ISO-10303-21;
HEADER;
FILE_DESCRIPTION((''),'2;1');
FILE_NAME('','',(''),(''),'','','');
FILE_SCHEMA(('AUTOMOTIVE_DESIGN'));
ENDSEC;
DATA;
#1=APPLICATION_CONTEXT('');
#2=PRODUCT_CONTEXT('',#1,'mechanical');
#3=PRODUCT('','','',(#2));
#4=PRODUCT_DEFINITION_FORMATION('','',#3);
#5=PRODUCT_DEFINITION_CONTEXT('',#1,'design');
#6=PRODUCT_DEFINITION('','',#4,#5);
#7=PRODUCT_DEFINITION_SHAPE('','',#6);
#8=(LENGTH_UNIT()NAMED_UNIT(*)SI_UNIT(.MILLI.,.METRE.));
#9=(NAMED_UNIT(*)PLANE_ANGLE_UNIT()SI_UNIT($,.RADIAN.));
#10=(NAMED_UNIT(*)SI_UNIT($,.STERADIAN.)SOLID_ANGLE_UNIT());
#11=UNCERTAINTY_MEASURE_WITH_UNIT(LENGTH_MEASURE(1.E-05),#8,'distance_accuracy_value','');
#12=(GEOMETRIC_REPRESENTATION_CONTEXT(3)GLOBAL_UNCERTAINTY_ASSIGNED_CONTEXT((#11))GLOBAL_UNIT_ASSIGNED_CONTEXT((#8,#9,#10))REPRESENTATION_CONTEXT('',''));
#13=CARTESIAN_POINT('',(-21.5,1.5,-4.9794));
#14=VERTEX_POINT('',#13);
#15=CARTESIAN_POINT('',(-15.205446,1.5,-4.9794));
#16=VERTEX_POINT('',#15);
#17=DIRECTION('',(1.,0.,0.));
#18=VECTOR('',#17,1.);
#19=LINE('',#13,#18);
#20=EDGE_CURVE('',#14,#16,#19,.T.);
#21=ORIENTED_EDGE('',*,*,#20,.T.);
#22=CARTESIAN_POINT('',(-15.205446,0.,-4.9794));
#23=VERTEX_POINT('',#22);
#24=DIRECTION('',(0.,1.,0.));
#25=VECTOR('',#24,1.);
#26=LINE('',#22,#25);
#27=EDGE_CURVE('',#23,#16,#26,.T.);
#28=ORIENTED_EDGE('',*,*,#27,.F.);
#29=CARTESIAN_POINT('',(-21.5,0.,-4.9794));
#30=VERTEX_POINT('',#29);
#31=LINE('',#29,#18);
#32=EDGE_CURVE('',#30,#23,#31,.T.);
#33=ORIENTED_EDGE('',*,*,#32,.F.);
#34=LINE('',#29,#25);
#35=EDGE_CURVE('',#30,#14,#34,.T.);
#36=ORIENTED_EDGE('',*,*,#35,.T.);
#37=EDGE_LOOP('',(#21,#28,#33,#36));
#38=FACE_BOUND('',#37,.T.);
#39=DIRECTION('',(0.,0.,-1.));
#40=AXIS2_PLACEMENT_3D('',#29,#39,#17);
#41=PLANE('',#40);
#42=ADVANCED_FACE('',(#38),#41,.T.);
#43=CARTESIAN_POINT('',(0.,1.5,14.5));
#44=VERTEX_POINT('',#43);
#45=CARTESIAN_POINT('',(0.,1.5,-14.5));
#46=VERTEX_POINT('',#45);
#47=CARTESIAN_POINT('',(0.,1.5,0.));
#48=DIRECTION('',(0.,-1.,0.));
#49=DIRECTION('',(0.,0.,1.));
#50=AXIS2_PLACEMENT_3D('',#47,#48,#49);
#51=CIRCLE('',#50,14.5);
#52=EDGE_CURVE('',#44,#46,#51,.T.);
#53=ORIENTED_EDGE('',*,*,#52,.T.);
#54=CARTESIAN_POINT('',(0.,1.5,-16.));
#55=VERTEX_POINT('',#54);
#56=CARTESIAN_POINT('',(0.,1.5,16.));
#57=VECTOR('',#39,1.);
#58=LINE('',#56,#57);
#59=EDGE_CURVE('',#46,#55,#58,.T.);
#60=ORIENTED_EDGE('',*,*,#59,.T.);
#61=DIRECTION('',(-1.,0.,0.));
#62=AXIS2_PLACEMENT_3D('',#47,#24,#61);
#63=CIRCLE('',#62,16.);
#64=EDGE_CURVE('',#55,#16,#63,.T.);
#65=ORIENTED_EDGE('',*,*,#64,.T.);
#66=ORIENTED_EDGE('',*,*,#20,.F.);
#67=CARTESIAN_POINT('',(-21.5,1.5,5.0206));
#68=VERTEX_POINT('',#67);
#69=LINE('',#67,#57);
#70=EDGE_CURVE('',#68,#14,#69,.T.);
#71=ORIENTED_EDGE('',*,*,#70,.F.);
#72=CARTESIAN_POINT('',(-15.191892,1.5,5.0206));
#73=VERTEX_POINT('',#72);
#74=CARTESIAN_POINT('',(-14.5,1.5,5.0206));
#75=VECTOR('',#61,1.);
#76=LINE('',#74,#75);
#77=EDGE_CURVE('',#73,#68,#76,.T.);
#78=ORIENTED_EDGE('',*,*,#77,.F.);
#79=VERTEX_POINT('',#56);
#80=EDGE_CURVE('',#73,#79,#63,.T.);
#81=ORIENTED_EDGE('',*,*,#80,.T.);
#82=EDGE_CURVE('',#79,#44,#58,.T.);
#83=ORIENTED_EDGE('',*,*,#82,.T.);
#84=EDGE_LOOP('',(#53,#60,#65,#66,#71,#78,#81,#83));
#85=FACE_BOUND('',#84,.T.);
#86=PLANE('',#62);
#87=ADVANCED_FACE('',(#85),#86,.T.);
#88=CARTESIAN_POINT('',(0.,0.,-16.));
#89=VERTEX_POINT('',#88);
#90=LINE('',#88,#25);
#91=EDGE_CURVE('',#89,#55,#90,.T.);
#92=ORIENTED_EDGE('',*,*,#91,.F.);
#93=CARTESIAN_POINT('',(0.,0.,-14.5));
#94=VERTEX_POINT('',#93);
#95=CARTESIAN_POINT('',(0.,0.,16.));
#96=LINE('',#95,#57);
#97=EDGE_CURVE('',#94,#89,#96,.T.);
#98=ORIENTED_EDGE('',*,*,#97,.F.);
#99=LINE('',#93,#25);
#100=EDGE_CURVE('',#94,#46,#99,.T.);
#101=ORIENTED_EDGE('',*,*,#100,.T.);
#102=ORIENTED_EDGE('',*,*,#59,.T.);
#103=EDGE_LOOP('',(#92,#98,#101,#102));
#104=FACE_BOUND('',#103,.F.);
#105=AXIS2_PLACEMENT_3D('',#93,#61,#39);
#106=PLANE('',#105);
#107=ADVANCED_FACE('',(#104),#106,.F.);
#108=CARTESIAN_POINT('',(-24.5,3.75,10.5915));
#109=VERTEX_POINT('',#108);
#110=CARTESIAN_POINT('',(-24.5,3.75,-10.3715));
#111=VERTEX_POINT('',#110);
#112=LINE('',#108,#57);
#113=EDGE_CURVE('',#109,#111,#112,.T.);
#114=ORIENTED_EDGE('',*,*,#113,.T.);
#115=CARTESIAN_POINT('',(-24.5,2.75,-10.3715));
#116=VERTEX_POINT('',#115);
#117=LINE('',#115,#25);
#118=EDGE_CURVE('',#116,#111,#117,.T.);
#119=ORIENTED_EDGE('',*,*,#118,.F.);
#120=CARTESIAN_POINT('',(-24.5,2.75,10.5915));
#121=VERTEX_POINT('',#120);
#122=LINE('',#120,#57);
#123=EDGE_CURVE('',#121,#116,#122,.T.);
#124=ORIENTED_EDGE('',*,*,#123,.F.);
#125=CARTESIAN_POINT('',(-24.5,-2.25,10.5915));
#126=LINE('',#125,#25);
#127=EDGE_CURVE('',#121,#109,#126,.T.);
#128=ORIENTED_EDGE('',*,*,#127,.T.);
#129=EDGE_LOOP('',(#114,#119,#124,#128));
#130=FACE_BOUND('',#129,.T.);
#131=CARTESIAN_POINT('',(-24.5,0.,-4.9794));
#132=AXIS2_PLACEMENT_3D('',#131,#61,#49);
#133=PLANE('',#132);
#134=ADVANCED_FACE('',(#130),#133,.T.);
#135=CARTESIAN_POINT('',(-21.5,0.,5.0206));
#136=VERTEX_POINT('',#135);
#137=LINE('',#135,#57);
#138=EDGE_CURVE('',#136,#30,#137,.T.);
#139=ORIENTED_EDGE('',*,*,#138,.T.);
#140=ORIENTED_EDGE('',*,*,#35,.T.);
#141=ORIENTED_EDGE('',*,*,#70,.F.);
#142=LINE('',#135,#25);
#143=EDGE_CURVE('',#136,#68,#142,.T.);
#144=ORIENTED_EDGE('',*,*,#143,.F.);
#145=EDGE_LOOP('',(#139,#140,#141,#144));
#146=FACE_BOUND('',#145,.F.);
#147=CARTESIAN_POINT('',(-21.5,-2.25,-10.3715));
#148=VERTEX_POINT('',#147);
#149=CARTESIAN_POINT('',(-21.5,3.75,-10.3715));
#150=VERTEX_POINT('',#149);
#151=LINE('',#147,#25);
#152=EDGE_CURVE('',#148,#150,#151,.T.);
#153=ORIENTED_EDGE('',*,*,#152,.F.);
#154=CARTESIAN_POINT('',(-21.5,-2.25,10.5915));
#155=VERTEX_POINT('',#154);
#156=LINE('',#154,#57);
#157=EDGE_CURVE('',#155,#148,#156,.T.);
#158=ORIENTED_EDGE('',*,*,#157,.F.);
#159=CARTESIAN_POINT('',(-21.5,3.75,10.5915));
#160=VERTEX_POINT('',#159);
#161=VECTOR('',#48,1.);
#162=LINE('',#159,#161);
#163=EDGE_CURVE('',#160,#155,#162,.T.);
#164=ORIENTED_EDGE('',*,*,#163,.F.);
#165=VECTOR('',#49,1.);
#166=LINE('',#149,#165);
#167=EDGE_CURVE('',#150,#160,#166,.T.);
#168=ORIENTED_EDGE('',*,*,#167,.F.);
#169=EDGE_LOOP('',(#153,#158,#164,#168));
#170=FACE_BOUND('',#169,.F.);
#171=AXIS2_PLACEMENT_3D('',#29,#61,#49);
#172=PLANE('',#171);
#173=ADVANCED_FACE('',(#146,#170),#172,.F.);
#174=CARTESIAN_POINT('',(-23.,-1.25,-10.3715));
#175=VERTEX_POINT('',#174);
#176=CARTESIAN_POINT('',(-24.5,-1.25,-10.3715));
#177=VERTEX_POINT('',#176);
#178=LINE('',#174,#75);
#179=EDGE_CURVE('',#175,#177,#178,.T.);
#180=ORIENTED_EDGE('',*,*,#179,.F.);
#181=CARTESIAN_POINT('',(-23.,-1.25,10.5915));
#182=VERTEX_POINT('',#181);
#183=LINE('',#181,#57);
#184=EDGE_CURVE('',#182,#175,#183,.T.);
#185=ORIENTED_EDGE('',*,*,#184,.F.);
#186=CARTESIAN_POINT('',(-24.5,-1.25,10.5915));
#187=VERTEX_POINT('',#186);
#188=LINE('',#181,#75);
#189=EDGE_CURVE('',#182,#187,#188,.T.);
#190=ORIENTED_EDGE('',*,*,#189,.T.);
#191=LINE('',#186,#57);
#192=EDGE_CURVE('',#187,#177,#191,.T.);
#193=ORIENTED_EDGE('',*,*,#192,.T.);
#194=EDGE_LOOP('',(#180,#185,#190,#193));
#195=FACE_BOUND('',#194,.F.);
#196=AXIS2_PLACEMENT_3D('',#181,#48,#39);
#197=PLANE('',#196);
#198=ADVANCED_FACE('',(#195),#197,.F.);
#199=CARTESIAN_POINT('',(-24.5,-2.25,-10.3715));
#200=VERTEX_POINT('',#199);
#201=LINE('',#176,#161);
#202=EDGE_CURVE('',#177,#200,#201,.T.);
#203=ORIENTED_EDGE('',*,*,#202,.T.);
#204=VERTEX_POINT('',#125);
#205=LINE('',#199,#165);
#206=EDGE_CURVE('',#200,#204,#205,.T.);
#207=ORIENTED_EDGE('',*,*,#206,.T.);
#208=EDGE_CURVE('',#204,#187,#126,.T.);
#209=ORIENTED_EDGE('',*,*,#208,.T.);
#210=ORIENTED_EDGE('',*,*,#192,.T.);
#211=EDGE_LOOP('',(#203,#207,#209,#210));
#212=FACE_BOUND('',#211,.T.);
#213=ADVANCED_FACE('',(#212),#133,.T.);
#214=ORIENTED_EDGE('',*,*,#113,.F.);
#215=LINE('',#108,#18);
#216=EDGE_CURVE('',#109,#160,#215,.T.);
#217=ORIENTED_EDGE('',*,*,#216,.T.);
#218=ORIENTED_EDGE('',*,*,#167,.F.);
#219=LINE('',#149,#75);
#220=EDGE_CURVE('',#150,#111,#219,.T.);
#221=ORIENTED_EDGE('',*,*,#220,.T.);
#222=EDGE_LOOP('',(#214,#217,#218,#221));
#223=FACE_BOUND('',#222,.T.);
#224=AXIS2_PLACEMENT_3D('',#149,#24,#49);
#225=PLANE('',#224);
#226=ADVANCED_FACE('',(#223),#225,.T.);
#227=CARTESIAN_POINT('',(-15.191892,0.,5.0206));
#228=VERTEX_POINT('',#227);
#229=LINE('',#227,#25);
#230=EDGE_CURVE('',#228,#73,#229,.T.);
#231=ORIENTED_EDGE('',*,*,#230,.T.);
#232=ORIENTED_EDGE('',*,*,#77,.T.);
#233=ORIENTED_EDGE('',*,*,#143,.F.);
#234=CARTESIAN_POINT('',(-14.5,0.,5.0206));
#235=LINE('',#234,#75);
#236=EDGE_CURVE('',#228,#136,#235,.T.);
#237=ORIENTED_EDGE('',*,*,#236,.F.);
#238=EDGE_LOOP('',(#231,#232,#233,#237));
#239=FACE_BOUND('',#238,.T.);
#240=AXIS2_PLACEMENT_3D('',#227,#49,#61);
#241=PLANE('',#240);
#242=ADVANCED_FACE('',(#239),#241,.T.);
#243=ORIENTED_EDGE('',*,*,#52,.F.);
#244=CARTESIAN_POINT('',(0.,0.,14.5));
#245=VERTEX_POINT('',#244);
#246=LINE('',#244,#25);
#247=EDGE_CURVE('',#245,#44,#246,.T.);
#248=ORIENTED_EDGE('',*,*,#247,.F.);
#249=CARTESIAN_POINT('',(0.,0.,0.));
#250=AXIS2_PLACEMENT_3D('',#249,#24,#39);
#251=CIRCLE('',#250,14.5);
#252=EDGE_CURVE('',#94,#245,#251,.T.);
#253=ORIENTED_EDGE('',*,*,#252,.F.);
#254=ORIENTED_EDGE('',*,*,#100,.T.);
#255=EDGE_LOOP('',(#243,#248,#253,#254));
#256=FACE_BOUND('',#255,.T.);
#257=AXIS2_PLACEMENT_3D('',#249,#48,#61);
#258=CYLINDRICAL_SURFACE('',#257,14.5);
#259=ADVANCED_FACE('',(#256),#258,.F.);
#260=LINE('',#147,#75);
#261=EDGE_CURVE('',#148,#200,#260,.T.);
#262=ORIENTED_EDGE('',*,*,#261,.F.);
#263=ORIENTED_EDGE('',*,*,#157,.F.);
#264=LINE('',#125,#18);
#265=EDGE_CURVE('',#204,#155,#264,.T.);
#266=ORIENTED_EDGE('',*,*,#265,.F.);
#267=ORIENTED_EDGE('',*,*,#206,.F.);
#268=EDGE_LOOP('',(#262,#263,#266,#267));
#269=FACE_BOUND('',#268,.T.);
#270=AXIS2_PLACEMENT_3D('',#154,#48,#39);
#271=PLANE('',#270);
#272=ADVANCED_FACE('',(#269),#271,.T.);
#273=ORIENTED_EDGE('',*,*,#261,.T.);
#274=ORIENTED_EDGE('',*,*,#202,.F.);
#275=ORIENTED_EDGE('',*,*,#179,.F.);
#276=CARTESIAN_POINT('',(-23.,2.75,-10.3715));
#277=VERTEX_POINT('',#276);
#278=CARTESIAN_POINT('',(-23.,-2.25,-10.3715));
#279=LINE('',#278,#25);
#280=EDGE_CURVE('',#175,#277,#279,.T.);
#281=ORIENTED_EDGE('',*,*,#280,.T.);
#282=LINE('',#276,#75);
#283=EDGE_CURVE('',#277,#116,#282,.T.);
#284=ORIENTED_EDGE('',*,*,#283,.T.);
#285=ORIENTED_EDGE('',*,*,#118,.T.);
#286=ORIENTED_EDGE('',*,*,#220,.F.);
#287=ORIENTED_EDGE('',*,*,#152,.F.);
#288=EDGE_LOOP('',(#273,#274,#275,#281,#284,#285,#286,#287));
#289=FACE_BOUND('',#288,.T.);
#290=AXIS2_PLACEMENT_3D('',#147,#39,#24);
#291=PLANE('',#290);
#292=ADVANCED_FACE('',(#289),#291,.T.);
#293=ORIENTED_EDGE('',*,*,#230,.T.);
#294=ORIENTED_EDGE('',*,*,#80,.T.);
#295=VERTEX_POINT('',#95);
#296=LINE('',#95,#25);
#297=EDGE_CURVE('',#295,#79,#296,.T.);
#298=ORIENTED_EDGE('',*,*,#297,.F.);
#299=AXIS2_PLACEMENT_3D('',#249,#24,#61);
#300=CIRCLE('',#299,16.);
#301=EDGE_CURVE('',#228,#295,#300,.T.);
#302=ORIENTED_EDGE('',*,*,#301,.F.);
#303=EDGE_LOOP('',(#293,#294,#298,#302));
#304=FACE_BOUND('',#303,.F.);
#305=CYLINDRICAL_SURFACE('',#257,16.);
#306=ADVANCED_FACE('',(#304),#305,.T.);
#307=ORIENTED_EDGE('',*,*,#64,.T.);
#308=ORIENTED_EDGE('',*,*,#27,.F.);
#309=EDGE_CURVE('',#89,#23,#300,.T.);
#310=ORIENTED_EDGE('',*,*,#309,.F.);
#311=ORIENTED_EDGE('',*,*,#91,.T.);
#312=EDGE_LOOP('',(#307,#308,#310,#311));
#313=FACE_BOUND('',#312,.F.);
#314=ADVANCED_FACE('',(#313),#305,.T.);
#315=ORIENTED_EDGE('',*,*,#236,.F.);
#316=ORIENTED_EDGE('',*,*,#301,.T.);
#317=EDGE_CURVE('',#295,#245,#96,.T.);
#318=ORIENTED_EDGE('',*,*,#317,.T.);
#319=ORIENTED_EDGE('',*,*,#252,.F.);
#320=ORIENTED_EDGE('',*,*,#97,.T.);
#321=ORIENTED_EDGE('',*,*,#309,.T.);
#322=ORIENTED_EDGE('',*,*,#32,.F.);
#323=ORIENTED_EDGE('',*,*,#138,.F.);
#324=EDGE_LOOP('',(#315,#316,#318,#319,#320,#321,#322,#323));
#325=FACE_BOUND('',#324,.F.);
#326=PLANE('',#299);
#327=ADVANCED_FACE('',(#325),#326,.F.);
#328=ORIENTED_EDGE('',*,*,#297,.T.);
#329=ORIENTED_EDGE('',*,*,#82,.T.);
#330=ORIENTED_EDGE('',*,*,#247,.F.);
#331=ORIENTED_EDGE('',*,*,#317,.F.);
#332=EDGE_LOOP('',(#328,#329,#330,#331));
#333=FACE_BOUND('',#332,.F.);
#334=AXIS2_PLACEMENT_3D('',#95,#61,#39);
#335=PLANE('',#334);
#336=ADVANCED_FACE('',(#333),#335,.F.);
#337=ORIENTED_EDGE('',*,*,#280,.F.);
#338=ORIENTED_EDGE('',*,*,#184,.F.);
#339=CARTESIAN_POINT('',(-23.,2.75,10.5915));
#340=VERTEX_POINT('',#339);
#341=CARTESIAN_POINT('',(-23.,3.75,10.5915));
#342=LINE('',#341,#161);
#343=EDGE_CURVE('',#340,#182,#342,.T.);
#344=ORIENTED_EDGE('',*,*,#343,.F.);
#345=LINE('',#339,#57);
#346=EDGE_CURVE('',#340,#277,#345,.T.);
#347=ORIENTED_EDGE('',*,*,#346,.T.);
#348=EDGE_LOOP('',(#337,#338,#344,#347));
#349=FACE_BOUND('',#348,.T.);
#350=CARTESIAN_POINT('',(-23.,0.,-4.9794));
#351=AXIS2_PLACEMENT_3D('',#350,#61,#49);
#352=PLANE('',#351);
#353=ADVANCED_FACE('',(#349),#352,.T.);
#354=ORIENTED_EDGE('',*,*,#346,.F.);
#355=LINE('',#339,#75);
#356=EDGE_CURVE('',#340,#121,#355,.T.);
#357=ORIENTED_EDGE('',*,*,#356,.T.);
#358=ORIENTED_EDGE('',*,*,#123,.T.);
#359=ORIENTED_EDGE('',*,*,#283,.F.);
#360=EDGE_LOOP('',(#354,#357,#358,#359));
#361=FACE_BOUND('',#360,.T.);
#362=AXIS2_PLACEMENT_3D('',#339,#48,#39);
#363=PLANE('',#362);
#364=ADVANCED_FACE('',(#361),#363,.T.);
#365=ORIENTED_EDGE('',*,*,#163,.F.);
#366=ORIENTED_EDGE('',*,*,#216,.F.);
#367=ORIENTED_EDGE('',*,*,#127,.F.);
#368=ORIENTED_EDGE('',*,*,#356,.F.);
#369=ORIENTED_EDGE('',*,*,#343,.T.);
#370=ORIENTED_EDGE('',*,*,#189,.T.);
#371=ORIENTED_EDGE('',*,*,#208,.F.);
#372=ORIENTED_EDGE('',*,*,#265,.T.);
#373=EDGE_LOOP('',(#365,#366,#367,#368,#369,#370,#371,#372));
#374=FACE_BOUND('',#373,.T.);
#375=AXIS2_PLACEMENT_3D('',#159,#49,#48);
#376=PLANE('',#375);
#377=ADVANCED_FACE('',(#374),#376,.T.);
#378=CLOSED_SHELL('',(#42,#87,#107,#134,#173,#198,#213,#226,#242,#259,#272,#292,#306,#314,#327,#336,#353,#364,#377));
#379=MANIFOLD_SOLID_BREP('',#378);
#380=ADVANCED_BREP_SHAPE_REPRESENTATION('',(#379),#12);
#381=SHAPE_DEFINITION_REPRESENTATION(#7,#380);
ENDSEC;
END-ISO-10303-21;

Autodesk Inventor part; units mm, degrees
ref_plane "YZ Plane" through (0, 0, 0) normal (1, 0, 0) x (0, 1, 0)
ref_plane "XZ Plane" through (0, 0, 0) normal (0, 1, 0) x (-1, 0, 0)
ref_plane "XY Plane" through (0, 0, 0) normal (0, 0, 1) x (1, 0, 0)
sketch "Sketch1" plane through (0, 0, 0) normal (0, 1, 0) x (-1, 0, 0)
  circle A0 centre (0, 0) radius 14.5
  circle A1 centre (0, 0) radius 16
  line L0 (0, 16) -> (0, -16)
  line L1 (14.5, 5.0206) -> (21.5, 5.0206)
  line L2 (21.5, 5.0206) -> (21.5, -4.9794)
  line L3 (21.5, -4.9794) -> (14.5, -4.9794)
  line L4 (14.5, -4.9794) -> (14.5, 5.0206)
  point P0 (14.5, 0.0206)
  point P1 (15.2054, -4.9794)
  point P2 (15.1919, 5.0206)
  point P3 (0, 14.5)
  point P4 (0, -14.5)
  dimension "d0" = 29
  dimension "d1" = 32
  dimension "d2" = 5
  dimension "d13" = 7
extrude "Extrusion1" add sketch "Sketch1" along normal blind 1.5 contours L4 L3 A1 L0 A0 | L4 L1 A1 L3 | A0 L0 A1 L1 L4 | A1 L1 L2 L3
sketch "Sketch2" plane through (-21.5, 0, -4.9794) normal (-1, 0, 0) x (0, 0, 1)
  line L0 (-5.3921, 3.75) -> (15.5709, 3.75)
  line L1 (15.5709, 3.75) -> (15.5709, -2.25)
  line L2 (15.5709, -2.25) -> (-5.3921, -2.25)
  line L3 (-5.3921, -2.25) -> (-5.3921, 3.75)
  line L4 (0, 0) -> (0, 1.5) projected
  point P0 (4.9794, 0)
  point P1 (5.0894, 3.75)
  point P2 (0, 0.75)
  dimension "d5" = 6
  dimension "d6" = 3
extrude "Extrusion2" add sketch "Sketch2" along normal blind 1.5
sketch "Sketch3" plane through (-23, 0, -4.9794) normal (-1, 0, 0) x (0, 0, 1)
  line L0 (15.5709, 3.75) -> (-5.3921, 3.75) projected
  line L1 (15.5709, -2.25) -> (15.5709, 3.75) projected
  line L2 (-5.3921, 3.75) -> (15.5709, 3.75)
  line L3 (15.5709, 3.75) -> (15.5709, 2.75)
  line L4 (15.5709, 2.75) -> (-5.3921, 2.75)
  line L5 (-5.3921, 2.75) -> (-5.3921, 3.75)
  line L6 (-5.3921, -2.25) -> (15.5709, -2.25)
  line L7 (15.5709, -2.25) -> (15.5709, -1.25)
  line L8 (15.5709, -1.25) -> (-5.3921, -1.25)
  line L9 (-5.3921, -1.25) -> (-5.3921, -2.25)
  point P0 (4.9794, 0)
  point P1 (15.5709, -2.25)
  dimension "d9" = 1
  dimension "d10" = 1
extrude "Extrusion3" add sketch "Sketch3" along normal blind 1.5
properties part number "holder"
